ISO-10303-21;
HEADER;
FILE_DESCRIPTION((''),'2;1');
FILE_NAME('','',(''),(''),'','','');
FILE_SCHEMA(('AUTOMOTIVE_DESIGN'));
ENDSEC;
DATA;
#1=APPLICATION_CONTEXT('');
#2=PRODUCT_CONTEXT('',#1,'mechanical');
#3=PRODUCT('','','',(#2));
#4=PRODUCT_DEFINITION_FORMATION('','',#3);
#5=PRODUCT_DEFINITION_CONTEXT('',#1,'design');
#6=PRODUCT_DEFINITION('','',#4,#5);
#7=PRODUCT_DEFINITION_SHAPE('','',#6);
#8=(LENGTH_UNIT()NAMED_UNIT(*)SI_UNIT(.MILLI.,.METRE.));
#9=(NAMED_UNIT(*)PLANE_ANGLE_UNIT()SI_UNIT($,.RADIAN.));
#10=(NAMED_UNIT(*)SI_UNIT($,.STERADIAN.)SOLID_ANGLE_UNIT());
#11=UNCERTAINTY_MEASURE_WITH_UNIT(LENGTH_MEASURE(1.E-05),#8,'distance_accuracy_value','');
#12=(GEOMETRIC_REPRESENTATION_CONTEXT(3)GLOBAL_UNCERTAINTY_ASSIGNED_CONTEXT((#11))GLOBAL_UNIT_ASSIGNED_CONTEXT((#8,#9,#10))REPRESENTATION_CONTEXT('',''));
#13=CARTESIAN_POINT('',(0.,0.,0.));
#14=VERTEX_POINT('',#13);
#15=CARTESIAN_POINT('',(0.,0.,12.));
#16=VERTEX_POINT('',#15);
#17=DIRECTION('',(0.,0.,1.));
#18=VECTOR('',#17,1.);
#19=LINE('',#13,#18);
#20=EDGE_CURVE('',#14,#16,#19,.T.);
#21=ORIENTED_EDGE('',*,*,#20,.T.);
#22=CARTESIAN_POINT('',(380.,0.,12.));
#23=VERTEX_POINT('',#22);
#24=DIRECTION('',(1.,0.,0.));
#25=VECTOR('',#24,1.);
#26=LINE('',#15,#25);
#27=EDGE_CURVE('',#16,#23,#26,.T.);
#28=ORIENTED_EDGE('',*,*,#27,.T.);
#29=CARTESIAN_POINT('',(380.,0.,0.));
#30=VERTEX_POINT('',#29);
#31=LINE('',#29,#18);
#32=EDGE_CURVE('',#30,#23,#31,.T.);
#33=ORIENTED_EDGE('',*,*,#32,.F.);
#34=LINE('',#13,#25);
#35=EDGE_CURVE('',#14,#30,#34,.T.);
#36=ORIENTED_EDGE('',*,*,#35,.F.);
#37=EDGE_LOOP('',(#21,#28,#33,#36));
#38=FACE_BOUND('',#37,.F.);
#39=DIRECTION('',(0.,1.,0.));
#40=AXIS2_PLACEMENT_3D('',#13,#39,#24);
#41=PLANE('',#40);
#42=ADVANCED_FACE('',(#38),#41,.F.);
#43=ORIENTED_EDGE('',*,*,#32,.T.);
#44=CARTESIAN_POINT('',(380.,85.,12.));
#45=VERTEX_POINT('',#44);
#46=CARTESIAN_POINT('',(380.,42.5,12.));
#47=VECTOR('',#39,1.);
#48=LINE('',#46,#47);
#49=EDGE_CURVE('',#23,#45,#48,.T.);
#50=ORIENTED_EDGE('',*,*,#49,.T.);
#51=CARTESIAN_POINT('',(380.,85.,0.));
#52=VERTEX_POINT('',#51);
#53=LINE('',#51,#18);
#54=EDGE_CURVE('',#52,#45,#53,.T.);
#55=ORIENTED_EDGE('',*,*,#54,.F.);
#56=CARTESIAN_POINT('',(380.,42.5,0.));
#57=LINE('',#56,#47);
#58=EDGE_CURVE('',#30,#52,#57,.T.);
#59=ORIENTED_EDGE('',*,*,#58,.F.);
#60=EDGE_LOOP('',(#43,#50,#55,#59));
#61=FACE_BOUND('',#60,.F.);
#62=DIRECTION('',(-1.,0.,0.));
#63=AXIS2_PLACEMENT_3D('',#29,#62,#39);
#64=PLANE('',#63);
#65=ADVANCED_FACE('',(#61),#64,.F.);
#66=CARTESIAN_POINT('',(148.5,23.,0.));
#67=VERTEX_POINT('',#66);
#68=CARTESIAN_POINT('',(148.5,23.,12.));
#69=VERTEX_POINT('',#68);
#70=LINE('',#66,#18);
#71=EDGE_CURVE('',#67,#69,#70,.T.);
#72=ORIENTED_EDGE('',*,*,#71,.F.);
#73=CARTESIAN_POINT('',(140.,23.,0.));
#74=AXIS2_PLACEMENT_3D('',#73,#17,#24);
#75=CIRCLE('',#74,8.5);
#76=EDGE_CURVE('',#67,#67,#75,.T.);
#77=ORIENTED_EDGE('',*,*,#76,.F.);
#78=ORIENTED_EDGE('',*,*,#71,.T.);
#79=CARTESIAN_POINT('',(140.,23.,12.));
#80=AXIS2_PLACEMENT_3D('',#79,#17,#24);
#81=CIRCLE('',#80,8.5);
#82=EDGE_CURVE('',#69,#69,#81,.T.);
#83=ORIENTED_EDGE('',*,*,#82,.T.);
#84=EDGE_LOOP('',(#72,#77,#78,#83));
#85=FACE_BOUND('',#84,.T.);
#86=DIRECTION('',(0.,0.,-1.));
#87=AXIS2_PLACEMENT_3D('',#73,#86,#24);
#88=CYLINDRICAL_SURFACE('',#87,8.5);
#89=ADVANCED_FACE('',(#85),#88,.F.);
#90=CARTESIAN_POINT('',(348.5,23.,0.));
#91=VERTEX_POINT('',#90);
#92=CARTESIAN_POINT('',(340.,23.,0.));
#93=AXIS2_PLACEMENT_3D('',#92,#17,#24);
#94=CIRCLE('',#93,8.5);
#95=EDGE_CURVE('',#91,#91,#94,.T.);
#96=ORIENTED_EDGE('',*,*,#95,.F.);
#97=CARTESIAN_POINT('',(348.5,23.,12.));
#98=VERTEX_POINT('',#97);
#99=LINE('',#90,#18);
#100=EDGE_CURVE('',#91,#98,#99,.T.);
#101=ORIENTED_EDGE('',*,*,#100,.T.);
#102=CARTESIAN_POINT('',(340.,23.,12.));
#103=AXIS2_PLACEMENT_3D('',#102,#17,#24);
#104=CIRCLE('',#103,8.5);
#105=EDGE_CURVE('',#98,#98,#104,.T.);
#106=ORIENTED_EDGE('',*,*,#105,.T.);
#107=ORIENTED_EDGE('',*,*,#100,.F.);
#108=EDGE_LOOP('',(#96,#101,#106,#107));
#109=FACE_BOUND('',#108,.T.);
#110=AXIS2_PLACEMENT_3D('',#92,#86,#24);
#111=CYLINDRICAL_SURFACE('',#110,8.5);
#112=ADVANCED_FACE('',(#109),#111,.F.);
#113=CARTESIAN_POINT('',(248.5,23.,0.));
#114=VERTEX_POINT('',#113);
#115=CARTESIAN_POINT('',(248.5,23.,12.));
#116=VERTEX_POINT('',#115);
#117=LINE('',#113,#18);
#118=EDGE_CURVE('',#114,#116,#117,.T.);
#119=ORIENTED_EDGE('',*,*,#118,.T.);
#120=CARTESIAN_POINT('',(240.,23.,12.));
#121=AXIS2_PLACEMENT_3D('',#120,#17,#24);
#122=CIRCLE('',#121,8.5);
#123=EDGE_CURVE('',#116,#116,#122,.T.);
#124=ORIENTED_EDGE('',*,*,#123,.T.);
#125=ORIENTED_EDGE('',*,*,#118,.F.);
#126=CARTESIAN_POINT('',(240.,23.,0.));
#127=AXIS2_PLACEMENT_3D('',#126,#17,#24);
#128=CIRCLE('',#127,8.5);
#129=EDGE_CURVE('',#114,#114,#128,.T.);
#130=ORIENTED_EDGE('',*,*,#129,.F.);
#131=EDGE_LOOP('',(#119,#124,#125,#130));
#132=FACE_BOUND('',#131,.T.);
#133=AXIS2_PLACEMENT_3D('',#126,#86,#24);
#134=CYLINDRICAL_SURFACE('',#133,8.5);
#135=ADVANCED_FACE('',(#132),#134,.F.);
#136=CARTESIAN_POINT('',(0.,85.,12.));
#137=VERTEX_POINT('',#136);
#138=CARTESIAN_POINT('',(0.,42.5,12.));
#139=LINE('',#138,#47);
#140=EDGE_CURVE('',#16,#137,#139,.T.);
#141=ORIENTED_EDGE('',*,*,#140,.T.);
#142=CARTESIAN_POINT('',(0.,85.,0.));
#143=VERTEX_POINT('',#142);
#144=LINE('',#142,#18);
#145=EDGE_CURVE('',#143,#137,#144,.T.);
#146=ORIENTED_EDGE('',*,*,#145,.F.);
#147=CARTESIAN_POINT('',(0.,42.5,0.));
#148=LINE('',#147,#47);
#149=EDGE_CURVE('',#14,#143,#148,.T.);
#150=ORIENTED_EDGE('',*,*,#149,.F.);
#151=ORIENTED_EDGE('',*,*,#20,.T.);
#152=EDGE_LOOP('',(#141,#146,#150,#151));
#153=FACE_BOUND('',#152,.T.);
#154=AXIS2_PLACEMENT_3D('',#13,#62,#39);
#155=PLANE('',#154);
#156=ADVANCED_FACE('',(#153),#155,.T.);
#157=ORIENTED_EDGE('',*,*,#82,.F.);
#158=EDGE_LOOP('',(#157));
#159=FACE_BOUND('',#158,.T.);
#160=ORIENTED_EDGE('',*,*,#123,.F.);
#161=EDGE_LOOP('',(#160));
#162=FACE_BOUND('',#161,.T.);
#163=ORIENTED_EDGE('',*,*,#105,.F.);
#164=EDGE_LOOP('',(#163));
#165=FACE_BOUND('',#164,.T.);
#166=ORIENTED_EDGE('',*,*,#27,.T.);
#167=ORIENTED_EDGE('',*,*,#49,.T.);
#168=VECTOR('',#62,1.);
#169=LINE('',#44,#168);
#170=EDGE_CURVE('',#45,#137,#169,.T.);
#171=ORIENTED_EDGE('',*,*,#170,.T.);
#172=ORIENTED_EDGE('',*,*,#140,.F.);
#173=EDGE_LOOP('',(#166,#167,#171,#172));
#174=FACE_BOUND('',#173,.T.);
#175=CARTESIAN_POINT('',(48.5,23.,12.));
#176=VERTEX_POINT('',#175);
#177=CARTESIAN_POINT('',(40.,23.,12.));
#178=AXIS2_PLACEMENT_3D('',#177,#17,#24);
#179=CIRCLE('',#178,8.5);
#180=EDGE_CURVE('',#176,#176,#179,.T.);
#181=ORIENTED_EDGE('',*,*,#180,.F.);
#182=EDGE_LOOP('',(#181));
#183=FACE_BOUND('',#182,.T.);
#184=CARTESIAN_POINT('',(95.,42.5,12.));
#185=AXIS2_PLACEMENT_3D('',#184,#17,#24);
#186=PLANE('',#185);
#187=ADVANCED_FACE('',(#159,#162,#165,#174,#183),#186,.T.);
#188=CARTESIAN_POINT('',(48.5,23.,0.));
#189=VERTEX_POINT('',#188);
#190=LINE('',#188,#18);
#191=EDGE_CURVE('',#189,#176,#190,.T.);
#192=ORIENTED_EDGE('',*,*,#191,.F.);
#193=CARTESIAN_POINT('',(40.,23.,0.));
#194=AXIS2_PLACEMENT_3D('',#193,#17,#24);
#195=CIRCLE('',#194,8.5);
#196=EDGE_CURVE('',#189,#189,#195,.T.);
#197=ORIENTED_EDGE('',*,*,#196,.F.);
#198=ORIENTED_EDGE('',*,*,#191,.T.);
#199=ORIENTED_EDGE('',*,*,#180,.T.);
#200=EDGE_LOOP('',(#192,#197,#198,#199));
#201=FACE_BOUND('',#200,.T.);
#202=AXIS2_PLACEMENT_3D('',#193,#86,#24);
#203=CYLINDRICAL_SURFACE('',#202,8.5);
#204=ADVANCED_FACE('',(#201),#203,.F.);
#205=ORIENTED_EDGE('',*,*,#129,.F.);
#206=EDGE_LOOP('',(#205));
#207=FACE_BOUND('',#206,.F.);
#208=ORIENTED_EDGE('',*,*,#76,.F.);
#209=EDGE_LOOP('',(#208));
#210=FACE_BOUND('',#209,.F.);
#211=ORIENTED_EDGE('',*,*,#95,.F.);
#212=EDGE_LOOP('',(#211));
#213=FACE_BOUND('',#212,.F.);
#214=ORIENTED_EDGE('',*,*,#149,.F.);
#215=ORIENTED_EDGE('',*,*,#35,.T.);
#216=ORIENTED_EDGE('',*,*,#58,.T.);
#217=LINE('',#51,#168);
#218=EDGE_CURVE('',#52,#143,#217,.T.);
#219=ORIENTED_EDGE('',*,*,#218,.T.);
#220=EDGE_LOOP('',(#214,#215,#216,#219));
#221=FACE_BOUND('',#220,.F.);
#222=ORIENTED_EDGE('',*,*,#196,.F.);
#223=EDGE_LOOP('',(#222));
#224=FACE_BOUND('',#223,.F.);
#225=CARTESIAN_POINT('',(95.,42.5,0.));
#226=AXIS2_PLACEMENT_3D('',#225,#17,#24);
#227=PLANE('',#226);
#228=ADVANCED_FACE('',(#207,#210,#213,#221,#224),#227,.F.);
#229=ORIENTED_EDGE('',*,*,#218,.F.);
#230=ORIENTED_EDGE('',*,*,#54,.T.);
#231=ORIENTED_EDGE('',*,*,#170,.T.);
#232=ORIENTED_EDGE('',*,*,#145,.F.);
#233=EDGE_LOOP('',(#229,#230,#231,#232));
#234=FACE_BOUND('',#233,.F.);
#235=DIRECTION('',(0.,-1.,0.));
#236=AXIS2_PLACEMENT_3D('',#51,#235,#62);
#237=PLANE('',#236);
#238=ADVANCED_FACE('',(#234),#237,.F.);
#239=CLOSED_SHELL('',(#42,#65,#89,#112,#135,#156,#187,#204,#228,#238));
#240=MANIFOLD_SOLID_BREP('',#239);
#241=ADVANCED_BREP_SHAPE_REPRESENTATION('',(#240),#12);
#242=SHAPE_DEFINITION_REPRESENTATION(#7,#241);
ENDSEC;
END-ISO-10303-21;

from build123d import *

# Parameters (mm, degrees)
F0_W     = 190
F0_H     = 85
F0_R     = 8.5
F1_DEPTH = 12


with BuildPart() as f1:
    # F0 (on Top) → F1 (new body)
    with BuildSketch(Plane.XY):
        with Locations((95, 42.5)):
            Rectangle(F0_W, F0_H)
        with Locations((40, 23)):
            Circle(F0_R, mode=Mode.SUBTRACT)
        with Locations((140, 23)):
            Circle(F0_R, mode=Mode.SUBTRACT)
        with Locations((285, 42.5)):
            Rectangle(F0_W, F0_H)
        with Locations((240, 23)):
            Circle(F0_R, mode=Mode.SUBTRACT)
        with Locations((340, 23)):
            Circle(F0_R, mode=Mode.SUBTRACT)
    extrude(amount=F1_DEPTH)


solid = f1.part
